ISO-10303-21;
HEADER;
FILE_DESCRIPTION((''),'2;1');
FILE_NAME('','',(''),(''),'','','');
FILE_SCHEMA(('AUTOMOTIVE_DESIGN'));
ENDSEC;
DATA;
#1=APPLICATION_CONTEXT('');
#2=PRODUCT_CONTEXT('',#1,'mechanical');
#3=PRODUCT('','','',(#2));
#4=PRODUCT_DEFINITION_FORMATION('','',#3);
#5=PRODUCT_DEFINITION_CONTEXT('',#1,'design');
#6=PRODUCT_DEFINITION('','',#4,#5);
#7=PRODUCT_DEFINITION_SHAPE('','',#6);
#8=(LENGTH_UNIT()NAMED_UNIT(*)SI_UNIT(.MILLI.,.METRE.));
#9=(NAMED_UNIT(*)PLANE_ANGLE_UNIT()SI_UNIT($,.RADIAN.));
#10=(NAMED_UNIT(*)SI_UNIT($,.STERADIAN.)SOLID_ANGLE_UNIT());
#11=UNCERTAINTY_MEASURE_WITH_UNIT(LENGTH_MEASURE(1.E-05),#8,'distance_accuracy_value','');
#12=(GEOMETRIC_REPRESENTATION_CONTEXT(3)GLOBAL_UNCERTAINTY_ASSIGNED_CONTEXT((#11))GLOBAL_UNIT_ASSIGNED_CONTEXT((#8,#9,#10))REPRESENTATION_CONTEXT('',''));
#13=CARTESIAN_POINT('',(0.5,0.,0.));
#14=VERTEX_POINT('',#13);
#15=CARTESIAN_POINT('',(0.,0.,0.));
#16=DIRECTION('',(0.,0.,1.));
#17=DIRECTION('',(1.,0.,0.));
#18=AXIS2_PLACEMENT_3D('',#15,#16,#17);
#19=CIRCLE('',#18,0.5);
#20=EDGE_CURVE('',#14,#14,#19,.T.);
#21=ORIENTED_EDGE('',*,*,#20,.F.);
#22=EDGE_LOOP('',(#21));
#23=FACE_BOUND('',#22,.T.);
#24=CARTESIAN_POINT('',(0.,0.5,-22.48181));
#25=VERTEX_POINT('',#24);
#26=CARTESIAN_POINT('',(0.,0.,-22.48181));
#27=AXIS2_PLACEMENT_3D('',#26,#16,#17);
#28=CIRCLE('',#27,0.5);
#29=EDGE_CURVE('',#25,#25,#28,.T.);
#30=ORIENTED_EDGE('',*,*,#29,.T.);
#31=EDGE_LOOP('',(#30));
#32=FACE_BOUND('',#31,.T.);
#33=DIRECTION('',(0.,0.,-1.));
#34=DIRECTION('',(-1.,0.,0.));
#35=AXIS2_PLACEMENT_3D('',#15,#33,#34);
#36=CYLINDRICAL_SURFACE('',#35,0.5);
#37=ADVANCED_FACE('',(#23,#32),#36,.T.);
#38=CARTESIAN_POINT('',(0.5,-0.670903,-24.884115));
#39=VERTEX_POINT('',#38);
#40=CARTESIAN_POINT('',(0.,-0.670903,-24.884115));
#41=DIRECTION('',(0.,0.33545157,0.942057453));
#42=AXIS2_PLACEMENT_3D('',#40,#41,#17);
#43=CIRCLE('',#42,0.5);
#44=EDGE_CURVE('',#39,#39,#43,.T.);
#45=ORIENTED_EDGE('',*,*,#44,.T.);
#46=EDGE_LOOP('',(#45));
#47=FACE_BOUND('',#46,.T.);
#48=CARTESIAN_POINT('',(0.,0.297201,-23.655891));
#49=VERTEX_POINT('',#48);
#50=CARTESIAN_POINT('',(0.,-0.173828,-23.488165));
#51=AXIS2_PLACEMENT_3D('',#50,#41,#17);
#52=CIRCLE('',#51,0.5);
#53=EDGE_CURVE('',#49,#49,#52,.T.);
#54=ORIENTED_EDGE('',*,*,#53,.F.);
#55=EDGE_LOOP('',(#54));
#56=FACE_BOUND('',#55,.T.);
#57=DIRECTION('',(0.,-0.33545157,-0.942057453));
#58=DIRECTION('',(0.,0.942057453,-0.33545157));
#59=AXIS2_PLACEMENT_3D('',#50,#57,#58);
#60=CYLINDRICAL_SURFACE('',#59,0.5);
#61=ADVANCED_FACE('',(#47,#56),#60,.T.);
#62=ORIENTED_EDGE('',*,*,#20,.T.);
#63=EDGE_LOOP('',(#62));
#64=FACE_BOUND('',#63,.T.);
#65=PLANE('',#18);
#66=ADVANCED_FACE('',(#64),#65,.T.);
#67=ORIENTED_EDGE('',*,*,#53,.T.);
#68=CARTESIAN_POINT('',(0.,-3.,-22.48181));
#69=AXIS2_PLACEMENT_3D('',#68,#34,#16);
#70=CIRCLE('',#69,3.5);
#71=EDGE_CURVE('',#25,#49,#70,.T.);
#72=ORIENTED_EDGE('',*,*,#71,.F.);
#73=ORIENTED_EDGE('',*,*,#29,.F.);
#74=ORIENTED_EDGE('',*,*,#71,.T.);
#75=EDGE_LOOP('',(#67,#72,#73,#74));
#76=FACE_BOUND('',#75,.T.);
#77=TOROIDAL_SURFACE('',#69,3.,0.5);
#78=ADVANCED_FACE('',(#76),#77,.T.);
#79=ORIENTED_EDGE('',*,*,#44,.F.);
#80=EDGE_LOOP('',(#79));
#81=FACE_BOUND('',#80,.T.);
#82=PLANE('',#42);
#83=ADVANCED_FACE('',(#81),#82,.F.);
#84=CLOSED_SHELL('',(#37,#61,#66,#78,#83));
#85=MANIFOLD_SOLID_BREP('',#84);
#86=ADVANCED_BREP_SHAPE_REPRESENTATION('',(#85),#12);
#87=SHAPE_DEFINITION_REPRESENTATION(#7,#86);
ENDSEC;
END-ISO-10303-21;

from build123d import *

# Parameters (mm, degrees)
SKETCH1_R = 0.5


with BuildPart() as part:
    # Sweep1: sweep along a path in Sketch2
    with BuildLine(Plane(origin=(0, 0, 0), x_dir=(0, 0, -1), z_dir=(1, 0, 0))) as sweep1_path:
        Line((0, 0), (22.481810022, 0))
        ThreePointArc((22.481810022, 0), (22.992438519, -0.043776305), (23.488164731, -0.173827642))
        Line((23.488164731, -0.173827642), (24.884114906, -0.67090314))
    # Sketch1 → Sweep1 (sweep)
    with BuildSketch(Plane.XY):
        Circle(SKETCH1_R)
    sweep(path=sweep1_path.line)


solid = part.part
